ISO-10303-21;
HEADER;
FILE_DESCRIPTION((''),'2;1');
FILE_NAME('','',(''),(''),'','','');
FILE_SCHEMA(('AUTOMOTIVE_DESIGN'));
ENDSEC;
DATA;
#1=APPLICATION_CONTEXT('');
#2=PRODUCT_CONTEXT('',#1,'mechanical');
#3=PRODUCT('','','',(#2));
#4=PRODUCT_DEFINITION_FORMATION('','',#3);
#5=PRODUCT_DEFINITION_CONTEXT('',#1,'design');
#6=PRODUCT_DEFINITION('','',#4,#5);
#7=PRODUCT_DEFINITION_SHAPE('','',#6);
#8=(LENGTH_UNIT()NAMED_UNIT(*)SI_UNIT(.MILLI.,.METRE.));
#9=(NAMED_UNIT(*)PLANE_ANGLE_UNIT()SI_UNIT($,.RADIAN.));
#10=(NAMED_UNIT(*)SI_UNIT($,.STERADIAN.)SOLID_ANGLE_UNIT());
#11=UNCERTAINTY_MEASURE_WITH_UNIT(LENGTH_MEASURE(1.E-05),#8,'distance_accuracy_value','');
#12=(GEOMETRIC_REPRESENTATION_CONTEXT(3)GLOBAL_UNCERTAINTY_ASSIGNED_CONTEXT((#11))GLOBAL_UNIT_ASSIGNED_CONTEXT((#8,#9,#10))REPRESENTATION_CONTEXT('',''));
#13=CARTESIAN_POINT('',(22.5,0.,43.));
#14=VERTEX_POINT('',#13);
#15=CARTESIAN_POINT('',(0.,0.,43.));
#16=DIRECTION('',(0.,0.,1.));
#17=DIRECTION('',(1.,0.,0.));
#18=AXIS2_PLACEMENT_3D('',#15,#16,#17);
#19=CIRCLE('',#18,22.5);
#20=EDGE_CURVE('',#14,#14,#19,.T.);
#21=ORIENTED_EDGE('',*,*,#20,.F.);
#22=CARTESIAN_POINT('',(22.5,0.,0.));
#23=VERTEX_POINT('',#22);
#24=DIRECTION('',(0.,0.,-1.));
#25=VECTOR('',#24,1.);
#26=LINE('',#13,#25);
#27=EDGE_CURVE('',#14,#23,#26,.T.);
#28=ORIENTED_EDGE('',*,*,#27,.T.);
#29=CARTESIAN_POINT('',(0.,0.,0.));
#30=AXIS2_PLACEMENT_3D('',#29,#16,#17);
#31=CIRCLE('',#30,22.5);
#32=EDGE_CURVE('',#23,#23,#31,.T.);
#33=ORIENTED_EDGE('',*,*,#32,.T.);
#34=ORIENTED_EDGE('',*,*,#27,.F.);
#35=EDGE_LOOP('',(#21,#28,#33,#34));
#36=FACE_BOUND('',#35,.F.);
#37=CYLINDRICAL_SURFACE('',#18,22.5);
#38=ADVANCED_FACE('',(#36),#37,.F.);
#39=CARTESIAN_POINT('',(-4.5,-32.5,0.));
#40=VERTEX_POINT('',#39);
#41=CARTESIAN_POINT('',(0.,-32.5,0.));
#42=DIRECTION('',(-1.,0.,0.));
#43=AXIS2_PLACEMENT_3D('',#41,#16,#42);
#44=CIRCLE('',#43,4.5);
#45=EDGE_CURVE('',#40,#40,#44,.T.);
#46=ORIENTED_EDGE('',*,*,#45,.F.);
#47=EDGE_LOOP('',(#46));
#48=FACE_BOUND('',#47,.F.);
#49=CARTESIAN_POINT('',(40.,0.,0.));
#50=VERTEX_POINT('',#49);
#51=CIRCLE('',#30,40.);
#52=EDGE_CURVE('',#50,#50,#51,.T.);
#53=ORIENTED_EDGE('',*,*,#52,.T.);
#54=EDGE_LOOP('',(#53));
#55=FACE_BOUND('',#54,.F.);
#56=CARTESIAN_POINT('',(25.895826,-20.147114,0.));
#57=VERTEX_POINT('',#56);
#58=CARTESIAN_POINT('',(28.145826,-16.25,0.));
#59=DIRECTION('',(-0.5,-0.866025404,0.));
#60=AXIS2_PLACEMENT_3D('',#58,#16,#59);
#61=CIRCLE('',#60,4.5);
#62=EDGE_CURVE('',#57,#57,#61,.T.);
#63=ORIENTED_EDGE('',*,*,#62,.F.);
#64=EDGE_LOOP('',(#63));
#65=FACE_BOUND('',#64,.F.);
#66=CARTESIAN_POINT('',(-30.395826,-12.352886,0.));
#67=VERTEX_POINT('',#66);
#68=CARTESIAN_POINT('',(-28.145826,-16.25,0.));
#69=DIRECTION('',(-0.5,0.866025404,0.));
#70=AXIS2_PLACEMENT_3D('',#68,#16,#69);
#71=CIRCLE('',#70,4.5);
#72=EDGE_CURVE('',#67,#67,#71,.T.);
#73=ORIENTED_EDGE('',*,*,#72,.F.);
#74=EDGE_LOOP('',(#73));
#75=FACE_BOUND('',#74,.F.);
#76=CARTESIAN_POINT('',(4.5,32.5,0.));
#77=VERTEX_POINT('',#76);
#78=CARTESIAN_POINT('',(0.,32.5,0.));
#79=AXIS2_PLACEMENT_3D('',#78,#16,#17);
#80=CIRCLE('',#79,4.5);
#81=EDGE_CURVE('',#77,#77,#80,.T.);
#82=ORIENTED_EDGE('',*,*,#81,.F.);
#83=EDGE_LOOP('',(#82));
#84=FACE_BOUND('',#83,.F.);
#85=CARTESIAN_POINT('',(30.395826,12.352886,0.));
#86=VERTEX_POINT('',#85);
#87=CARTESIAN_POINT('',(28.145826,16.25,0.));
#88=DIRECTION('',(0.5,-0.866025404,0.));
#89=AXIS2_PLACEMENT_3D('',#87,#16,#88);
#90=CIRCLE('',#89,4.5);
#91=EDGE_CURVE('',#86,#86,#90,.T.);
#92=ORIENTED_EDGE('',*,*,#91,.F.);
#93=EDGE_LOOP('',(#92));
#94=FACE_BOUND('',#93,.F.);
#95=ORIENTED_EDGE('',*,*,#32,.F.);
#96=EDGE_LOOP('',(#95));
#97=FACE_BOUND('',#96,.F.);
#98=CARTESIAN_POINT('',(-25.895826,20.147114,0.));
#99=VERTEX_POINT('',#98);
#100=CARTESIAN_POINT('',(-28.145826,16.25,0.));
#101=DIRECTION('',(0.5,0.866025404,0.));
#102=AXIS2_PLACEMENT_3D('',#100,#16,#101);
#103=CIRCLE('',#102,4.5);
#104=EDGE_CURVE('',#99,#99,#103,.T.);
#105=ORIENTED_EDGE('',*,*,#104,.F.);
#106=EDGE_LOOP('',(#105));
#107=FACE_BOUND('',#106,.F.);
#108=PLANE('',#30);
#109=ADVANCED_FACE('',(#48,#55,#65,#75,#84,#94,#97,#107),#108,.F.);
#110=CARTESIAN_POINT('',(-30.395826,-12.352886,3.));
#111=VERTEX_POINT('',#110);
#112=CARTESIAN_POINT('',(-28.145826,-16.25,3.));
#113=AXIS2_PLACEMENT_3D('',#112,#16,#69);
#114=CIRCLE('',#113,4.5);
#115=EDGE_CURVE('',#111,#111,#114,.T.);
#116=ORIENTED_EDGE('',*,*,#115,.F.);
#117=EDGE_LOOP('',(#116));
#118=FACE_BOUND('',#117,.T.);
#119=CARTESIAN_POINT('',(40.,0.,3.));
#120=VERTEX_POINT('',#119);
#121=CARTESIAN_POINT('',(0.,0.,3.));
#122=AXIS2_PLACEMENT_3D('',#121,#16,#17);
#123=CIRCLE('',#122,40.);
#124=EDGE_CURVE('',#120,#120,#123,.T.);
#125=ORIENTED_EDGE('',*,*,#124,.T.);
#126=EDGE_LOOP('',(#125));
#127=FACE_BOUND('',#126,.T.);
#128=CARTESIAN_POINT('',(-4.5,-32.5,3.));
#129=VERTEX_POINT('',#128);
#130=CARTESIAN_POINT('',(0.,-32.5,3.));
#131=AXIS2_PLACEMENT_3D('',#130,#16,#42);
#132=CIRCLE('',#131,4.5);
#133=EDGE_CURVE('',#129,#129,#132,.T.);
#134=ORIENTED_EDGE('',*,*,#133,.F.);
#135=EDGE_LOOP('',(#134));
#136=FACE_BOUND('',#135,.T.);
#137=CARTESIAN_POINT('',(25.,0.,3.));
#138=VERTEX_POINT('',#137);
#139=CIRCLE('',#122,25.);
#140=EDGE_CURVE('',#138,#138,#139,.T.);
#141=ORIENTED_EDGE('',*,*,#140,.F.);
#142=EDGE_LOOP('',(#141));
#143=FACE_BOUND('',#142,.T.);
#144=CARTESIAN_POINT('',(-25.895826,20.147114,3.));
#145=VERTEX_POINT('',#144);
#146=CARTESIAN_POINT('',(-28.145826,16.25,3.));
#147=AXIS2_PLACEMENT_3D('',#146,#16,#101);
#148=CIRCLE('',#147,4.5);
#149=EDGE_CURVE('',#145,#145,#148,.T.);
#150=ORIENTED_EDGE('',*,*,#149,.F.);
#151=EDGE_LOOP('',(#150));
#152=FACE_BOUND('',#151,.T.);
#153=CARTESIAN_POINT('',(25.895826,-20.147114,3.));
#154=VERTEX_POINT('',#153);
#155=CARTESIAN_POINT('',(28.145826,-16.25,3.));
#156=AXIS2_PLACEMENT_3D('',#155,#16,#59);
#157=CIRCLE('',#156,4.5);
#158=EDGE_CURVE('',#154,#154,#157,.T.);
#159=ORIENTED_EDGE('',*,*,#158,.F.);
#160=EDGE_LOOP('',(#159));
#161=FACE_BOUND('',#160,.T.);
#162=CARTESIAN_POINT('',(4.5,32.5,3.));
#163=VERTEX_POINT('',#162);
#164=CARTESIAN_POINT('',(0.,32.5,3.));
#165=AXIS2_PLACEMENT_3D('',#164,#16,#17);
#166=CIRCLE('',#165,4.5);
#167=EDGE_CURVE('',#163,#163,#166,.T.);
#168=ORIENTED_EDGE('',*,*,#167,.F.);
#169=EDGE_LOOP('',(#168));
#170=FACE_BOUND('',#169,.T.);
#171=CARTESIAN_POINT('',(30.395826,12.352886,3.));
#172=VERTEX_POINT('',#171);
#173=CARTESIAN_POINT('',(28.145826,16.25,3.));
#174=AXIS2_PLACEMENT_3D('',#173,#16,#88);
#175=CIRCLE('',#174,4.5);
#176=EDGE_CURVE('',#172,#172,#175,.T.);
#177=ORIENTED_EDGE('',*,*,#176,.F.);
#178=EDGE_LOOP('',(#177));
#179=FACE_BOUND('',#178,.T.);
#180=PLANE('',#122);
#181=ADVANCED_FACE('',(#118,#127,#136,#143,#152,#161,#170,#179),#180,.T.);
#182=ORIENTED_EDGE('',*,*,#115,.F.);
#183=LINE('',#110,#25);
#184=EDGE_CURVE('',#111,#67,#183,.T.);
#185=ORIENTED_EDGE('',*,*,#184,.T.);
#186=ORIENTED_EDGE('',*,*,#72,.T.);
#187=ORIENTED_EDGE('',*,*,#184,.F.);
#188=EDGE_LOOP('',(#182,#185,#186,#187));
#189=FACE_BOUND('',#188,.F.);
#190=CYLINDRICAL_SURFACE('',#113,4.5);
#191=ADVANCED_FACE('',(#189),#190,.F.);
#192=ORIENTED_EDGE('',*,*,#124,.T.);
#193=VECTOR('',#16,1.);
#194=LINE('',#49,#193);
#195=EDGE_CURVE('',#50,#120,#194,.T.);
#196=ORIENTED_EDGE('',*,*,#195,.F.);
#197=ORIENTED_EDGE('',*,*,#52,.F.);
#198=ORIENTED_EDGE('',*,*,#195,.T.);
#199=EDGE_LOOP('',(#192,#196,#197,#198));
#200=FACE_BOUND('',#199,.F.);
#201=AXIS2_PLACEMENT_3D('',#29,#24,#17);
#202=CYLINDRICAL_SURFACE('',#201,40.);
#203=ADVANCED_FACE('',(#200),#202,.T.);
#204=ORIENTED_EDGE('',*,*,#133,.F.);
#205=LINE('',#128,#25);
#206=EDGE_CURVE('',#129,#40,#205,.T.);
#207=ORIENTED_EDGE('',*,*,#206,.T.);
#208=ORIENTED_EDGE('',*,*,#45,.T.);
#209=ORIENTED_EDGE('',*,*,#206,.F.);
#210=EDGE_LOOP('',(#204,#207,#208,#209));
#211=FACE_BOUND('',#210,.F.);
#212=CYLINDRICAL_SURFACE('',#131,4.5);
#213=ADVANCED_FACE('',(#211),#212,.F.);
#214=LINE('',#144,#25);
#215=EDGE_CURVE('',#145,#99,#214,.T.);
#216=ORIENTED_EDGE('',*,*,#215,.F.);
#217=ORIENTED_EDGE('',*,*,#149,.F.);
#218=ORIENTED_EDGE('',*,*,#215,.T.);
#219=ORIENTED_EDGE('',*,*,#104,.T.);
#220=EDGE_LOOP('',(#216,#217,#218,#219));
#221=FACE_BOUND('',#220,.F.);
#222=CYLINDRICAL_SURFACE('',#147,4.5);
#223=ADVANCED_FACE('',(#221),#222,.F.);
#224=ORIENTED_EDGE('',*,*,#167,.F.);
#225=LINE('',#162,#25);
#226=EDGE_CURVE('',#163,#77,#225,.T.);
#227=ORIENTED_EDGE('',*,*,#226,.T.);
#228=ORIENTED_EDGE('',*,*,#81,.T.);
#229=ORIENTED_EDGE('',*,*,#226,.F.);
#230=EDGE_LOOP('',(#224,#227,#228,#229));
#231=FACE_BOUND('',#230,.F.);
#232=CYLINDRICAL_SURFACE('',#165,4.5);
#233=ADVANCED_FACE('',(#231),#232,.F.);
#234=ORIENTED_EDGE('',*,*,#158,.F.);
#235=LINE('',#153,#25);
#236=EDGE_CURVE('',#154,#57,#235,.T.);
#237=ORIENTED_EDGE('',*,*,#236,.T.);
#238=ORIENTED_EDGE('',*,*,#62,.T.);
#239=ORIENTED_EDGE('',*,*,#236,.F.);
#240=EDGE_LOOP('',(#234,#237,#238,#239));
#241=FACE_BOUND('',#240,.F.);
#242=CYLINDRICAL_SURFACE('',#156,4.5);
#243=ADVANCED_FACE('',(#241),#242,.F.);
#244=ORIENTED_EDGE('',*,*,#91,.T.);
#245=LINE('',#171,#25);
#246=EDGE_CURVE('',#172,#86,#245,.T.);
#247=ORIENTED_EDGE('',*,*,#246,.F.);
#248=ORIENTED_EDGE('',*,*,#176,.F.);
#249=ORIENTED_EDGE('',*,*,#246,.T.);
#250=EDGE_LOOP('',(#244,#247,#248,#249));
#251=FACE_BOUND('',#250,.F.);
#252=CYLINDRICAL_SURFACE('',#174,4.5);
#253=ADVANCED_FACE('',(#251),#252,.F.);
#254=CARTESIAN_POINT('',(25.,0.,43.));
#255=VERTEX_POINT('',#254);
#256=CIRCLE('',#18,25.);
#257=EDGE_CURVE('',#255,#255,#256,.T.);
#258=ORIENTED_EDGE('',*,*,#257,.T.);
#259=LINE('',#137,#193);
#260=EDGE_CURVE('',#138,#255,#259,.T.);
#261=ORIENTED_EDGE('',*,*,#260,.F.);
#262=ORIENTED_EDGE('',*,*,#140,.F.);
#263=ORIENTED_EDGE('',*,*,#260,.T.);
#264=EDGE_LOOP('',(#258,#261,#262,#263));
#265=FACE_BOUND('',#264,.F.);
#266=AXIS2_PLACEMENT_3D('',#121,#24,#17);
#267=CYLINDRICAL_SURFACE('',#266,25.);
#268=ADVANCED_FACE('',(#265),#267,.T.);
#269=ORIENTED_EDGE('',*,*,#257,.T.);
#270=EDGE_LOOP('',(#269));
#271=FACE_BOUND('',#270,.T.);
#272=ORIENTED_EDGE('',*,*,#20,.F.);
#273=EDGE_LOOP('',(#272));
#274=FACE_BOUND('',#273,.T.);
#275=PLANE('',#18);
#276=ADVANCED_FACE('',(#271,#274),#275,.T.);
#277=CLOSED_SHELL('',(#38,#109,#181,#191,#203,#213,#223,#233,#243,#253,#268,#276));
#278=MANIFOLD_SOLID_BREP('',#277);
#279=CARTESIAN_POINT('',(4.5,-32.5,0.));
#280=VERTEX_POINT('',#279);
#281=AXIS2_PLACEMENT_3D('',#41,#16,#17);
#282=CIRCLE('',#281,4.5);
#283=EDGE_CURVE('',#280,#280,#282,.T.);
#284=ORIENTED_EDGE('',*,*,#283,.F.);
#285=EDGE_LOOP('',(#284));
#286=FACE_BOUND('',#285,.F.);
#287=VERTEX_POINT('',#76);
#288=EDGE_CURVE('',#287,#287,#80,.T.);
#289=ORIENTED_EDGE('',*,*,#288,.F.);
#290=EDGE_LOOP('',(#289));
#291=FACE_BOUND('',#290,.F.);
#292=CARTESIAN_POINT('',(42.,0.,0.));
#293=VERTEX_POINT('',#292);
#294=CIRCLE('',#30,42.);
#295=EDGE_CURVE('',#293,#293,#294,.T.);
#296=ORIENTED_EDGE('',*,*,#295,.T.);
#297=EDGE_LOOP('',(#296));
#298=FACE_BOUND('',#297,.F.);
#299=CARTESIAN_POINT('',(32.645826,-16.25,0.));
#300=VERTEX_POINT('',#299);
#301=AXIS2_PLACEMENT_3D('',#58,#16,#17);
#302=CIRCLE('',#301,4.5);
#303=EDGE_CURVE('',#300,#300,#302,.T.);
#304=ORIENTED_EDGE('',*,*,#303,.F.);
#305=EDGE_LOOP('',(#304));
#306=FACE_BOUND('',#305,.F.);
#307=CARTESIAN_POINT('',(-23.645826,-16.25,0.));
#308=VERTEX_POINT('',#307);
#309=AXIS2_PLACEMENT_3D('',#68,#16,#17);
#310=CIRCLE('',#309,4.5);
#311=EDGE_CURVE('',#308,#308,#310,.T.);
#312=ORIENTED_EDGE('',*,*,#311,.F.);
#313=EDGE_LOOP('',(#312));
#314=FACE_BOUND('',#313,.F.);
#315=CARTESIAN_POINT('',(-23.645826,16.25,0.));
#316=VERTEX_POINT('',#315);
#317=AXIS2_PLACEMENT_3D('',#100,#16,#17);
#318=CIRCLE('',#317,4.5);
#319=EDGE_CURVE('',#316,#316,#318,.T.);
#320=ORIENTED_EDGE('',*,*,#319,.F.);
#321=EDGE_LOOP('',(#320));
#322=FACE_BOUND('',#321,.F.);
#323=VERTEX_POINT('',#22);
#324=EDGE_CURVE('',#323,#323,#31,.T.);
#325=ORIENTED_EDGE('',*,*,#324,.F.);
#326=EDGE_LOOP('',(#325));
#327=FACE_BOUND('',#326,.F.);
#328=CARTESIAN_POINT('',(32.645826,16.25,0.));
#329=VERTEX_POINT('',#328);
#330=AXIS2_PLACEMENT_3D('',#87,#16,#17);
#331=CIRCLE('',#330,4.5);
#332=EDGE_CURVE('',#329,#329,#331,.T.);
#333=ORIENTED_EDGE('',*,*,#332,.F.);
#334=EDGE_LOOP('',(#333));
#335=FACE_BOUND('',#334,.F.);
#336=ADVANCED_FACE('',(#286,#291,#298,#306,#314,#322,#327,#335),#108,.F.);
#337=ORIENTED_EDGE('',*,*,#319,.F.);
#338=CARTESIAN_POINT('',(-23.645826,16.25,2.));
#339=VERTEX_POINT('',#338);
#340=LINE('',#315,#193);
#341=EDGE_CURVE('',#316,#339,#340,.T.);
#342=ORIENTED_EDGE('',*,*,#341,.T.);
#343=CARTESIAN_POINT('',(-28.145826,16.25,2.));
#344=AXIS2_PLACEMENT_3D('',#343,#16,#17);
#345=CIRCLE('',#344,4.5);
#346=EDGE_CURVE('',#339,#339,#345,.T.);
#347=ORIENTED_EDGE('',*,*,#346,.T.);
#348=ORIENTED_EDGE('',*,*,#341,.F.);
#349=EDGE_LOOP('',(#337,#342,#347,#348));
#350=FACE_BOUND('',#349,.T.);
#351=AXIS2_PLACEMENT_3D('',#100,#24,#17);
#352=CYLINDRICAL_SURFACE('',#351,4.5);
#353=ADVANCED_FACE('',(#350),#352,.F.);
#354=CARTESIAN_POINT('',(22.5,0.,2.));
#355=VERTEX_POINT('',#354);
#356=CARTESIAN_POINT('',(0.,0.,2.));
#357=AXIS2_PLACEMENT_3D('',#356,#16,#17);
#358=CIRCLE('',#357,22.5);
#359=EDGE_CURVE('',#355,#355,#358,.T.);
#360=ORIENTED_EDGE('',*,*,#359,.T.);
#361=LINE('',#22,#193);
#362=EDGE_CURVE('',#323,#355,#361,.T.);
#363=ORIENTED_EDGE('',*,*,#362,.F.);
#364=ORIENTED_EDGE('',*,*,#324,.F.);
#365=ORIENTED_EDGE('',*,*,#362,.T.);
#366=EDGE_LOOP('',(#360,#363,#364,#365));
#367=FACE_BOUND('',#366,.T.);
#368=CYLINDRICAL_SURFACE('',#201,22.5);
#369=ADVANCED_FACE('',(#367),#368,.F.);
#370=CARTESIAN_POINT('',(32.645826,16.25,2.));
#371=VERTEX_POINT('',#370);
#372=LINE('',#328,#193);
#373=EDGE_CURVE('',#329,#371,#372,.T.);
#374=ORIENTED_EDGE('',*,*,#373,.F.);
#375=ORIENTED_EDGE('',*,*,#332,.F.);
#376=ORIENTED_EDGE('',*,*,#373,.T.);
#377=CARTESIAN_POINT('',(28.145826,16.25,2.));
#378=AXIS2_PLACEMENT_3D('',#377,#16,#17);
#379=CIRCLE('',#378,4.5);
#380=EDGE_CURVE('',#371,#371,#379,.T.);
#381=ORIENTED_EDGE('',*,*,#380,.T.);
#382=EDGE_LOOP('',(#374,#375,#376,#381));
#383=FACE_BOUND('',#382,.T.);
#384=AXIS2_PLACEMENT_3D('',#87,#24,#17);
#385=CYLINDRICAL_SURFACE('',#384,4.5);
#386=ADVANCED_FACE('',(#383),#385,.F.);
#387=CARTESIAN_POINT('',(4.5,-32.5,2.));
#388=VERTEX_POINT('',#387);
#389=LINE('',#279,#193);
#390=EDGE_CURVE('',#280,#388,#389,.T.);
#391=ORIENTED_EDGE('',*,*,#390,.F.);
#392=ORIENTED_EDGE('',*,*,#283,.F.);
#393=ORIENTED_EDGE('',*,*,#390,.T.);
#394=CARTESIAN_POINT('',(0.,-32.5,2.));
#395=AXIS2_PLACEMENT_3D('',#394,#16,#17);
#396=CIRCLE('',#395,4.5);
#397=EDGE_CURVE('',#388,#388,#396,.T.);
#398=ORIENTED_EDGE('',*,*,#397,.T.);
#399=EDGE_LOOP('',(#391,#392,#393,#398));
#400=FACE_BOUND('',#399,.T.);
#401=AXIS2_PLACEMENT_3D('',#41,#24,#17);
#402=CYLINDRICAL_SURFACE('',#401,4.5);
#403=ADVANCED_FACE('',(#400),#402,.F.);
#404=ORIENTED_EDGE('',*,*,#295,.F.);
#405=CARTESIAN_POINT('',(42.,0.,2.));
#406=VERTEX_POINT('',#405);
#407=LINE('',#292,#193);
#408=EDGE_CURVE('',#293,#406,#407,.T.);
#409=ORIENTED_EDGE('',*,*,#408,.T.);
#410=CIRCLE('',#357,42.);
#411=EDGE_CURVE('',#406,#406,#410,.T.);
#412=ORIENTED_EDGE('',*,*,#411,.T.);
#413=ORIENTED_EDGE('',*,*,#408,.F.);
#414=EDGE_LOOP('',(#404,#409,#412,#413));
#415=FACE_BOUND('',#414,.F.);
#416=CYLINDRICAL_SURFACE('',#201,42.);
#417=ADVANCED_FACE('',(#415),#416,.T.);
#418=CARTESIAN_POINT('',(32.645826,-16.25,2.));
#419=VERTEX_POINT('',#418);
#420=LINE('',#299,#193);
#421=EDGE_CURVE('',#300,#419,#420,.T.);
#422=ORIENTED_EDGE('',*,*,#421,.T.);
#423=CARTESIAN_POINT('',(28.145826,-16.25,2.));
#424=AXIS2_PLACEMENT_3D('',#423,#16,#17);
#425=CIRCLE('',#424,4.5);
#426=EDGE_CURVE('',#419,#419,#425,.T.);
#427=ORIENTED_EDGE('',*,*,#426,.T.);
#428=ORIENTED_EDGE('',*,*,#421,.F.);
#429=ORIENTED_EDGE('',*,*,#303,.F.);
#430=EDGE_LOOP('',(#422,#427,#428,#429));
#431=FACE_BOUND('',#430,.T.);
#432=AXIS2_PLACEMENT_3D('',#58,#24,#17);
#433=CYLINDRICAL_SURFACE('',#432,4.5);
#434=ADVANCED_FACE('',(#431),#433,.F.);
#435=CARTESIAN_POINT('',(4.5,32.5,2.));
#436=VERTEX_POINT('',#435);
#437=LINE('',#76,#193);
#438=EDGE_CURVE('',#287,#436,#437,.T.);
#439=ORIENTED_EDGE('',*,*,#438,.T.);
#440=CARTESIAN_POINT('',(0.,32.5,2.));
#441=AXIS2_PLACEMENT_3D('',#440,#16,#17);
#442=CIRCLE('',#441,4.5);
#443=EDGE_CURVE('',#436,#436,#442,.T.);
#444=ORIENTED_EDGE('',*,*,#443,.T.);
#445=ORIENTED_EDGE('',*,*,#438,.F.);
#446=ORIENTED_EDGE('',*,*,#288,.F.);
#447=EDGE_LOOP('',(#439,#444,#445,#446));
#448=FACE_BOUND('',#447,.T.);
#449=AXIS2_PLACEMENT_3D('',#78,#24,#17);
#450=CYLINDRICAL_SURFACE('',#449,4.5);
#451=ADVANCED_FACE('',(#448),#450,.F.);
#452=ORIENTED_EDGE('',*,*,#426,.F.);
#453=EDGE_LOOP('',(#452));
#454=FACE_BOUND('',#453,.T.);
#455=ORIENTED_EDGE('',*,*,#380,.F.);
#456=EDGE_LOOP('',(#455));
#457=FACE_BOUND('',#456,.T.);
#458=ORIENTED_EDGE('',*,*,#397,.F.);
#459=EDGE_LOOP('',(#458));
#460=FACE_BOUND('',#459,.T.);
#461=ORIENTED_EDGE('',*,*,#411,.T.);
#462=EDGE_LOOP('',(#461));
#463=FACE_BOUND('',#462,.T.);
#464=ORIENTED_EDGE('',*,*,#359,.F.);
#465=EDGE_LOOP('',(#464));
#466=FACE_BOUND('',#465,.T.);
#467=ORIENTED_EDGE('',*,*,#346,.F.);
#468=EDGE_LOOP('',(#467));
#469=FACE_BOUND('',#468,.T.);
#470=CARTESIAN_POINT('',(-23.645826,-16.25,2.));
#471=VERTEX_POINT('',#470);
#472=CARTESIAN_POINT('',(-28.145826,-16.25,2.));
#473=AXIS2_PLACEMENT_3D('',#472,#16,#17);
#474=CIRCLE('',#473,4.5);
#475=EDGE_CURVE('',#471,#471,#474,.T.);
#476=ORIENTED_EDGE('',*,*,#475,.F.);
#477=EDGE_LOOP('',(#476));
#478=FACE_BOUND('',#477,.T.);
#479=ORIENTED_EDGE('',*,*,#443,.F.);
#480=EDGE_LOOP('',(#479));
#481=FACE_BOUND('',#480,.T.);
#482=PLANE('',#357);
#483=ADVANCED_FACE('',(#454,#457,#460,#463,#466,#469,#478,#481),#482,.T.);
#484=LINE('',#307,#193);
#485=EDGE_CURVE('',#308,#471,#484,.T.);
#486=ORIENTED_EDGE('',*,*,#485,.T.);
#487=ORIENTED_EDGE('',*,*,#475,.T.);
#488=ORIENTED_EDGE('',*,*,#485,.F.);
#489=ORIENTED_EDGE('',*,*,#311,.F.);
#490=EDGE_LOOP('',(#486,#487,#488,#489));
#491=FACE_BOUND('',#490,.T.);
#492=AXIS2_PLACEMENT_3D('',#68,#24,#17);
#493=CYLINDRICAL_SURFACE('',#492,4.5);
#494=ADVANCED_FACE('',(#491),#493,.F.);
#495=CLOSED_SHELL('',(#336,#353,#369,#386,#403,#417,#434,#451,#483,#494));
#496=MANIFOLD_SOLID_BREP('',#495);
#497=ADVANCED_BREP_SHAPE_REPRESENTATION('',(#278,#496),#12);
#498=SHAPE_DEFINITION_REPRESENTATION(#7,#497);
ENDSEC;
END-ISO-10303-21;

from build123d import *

# Parameters (mm, degrees)
SKETCH_R           = 40
PAD_DEPTH          = 3
SKETCH001_R        = 25
PAD001_DEPTH       = 40
SKETCH002_R        = 22.5
POCKET_DEPTH       = 43.001
SKETCH003_R        = 4.5
POCKET001_DEPTH    = 245.067107
POLARPATTERN_COUNT = 6
SKETCH004_R        = 42
SKETCH004_R_2      = 22.5
SKETCH004_R_3      = 4.5
PAD002_DEPTH       = 2


with BuildPart() as pipe:
    # Sketch → Pad (new body)
    with BuildSketch(Plane.XY):
        Circle(SKETCH_R)
    extrude(amount=PAD_DEPTH)

    # Sketch001 (on Face3 of Pad) → Pad001 (join)
    with BuildSketch(Plane.XY.offset(3)):
        Circle(SKETCH001_R)
    extrude(amount=PAD001_DEPTH)

    # Sketch002 (on Face5 of Pad001) → Pocket (cut, through all)
    with BuildSketch(Plane.XY.offset(43)):
        Circle(SKETCH002_R)
    extrude(amount=-POCKET_DEPTH, mode=Mode.SUBTRACT)

    # Sketch003 (on Face3 of Pocket) → Pocket001 (cut, through all)
    with BuildSketch(Plane.XY.offset(3)):
        with Locations((0, 32.5)):
            Circle(SKETCH003_R)
    pocket001 = extrude(amount=-POCKET001_DEPTH, mode=Mode.SUBTRACT)

    # PolarPattern: Pocket001 ×6 about axis
    polarpattern_axis = Axis((0, 0, 3), (0, 0, 1))
    for i in range(1, POLARPATTERN_COUNT):
        add(pocket001.rotate(polarpattern_axis, i * 360 / POLARPATTERN_COUNT), mode=Mode.SUBTRACT)


with BuildPart() as gasket:
    # Sketch004 → Pad002 (new body)
    with BuildSketch(Plane.XY):
        Circle(SKETCH004_R)
        Circle(SKETCH004_R_2, mode=Mode.SUBTRACT)
        with Locations((0, 32.5)):
            Circle(SKETCH004_R_3, mode=Mode.SUBTRACT)
        with Locations((-28.145826, -16.25)):
            Circle(SKETCH004_R_3, mode=Mode.SUBTRACT)
        with Locations((28.145826, -16.25)):
            Circle(SKETCH004_R_3, mode=Mode.SUBTRACT)
        with Locations((-28.145826, 16.25)):
            Circle(SKETCH004_R_3, mode=Mode.SUBTRACT)
        with Locations((28.145826, 16.25)):
            Circle(SKETCH004_R_3, mode=Mode.SUBTRACT)
        with Locations((0, -32.5)):
            Circle(SKETCH004_R_3, mode=Mode.SUBTRACT)
    extrude(amount=PAD002_DEPTH)


solid = Compound([pipe.part, gasket.part])
